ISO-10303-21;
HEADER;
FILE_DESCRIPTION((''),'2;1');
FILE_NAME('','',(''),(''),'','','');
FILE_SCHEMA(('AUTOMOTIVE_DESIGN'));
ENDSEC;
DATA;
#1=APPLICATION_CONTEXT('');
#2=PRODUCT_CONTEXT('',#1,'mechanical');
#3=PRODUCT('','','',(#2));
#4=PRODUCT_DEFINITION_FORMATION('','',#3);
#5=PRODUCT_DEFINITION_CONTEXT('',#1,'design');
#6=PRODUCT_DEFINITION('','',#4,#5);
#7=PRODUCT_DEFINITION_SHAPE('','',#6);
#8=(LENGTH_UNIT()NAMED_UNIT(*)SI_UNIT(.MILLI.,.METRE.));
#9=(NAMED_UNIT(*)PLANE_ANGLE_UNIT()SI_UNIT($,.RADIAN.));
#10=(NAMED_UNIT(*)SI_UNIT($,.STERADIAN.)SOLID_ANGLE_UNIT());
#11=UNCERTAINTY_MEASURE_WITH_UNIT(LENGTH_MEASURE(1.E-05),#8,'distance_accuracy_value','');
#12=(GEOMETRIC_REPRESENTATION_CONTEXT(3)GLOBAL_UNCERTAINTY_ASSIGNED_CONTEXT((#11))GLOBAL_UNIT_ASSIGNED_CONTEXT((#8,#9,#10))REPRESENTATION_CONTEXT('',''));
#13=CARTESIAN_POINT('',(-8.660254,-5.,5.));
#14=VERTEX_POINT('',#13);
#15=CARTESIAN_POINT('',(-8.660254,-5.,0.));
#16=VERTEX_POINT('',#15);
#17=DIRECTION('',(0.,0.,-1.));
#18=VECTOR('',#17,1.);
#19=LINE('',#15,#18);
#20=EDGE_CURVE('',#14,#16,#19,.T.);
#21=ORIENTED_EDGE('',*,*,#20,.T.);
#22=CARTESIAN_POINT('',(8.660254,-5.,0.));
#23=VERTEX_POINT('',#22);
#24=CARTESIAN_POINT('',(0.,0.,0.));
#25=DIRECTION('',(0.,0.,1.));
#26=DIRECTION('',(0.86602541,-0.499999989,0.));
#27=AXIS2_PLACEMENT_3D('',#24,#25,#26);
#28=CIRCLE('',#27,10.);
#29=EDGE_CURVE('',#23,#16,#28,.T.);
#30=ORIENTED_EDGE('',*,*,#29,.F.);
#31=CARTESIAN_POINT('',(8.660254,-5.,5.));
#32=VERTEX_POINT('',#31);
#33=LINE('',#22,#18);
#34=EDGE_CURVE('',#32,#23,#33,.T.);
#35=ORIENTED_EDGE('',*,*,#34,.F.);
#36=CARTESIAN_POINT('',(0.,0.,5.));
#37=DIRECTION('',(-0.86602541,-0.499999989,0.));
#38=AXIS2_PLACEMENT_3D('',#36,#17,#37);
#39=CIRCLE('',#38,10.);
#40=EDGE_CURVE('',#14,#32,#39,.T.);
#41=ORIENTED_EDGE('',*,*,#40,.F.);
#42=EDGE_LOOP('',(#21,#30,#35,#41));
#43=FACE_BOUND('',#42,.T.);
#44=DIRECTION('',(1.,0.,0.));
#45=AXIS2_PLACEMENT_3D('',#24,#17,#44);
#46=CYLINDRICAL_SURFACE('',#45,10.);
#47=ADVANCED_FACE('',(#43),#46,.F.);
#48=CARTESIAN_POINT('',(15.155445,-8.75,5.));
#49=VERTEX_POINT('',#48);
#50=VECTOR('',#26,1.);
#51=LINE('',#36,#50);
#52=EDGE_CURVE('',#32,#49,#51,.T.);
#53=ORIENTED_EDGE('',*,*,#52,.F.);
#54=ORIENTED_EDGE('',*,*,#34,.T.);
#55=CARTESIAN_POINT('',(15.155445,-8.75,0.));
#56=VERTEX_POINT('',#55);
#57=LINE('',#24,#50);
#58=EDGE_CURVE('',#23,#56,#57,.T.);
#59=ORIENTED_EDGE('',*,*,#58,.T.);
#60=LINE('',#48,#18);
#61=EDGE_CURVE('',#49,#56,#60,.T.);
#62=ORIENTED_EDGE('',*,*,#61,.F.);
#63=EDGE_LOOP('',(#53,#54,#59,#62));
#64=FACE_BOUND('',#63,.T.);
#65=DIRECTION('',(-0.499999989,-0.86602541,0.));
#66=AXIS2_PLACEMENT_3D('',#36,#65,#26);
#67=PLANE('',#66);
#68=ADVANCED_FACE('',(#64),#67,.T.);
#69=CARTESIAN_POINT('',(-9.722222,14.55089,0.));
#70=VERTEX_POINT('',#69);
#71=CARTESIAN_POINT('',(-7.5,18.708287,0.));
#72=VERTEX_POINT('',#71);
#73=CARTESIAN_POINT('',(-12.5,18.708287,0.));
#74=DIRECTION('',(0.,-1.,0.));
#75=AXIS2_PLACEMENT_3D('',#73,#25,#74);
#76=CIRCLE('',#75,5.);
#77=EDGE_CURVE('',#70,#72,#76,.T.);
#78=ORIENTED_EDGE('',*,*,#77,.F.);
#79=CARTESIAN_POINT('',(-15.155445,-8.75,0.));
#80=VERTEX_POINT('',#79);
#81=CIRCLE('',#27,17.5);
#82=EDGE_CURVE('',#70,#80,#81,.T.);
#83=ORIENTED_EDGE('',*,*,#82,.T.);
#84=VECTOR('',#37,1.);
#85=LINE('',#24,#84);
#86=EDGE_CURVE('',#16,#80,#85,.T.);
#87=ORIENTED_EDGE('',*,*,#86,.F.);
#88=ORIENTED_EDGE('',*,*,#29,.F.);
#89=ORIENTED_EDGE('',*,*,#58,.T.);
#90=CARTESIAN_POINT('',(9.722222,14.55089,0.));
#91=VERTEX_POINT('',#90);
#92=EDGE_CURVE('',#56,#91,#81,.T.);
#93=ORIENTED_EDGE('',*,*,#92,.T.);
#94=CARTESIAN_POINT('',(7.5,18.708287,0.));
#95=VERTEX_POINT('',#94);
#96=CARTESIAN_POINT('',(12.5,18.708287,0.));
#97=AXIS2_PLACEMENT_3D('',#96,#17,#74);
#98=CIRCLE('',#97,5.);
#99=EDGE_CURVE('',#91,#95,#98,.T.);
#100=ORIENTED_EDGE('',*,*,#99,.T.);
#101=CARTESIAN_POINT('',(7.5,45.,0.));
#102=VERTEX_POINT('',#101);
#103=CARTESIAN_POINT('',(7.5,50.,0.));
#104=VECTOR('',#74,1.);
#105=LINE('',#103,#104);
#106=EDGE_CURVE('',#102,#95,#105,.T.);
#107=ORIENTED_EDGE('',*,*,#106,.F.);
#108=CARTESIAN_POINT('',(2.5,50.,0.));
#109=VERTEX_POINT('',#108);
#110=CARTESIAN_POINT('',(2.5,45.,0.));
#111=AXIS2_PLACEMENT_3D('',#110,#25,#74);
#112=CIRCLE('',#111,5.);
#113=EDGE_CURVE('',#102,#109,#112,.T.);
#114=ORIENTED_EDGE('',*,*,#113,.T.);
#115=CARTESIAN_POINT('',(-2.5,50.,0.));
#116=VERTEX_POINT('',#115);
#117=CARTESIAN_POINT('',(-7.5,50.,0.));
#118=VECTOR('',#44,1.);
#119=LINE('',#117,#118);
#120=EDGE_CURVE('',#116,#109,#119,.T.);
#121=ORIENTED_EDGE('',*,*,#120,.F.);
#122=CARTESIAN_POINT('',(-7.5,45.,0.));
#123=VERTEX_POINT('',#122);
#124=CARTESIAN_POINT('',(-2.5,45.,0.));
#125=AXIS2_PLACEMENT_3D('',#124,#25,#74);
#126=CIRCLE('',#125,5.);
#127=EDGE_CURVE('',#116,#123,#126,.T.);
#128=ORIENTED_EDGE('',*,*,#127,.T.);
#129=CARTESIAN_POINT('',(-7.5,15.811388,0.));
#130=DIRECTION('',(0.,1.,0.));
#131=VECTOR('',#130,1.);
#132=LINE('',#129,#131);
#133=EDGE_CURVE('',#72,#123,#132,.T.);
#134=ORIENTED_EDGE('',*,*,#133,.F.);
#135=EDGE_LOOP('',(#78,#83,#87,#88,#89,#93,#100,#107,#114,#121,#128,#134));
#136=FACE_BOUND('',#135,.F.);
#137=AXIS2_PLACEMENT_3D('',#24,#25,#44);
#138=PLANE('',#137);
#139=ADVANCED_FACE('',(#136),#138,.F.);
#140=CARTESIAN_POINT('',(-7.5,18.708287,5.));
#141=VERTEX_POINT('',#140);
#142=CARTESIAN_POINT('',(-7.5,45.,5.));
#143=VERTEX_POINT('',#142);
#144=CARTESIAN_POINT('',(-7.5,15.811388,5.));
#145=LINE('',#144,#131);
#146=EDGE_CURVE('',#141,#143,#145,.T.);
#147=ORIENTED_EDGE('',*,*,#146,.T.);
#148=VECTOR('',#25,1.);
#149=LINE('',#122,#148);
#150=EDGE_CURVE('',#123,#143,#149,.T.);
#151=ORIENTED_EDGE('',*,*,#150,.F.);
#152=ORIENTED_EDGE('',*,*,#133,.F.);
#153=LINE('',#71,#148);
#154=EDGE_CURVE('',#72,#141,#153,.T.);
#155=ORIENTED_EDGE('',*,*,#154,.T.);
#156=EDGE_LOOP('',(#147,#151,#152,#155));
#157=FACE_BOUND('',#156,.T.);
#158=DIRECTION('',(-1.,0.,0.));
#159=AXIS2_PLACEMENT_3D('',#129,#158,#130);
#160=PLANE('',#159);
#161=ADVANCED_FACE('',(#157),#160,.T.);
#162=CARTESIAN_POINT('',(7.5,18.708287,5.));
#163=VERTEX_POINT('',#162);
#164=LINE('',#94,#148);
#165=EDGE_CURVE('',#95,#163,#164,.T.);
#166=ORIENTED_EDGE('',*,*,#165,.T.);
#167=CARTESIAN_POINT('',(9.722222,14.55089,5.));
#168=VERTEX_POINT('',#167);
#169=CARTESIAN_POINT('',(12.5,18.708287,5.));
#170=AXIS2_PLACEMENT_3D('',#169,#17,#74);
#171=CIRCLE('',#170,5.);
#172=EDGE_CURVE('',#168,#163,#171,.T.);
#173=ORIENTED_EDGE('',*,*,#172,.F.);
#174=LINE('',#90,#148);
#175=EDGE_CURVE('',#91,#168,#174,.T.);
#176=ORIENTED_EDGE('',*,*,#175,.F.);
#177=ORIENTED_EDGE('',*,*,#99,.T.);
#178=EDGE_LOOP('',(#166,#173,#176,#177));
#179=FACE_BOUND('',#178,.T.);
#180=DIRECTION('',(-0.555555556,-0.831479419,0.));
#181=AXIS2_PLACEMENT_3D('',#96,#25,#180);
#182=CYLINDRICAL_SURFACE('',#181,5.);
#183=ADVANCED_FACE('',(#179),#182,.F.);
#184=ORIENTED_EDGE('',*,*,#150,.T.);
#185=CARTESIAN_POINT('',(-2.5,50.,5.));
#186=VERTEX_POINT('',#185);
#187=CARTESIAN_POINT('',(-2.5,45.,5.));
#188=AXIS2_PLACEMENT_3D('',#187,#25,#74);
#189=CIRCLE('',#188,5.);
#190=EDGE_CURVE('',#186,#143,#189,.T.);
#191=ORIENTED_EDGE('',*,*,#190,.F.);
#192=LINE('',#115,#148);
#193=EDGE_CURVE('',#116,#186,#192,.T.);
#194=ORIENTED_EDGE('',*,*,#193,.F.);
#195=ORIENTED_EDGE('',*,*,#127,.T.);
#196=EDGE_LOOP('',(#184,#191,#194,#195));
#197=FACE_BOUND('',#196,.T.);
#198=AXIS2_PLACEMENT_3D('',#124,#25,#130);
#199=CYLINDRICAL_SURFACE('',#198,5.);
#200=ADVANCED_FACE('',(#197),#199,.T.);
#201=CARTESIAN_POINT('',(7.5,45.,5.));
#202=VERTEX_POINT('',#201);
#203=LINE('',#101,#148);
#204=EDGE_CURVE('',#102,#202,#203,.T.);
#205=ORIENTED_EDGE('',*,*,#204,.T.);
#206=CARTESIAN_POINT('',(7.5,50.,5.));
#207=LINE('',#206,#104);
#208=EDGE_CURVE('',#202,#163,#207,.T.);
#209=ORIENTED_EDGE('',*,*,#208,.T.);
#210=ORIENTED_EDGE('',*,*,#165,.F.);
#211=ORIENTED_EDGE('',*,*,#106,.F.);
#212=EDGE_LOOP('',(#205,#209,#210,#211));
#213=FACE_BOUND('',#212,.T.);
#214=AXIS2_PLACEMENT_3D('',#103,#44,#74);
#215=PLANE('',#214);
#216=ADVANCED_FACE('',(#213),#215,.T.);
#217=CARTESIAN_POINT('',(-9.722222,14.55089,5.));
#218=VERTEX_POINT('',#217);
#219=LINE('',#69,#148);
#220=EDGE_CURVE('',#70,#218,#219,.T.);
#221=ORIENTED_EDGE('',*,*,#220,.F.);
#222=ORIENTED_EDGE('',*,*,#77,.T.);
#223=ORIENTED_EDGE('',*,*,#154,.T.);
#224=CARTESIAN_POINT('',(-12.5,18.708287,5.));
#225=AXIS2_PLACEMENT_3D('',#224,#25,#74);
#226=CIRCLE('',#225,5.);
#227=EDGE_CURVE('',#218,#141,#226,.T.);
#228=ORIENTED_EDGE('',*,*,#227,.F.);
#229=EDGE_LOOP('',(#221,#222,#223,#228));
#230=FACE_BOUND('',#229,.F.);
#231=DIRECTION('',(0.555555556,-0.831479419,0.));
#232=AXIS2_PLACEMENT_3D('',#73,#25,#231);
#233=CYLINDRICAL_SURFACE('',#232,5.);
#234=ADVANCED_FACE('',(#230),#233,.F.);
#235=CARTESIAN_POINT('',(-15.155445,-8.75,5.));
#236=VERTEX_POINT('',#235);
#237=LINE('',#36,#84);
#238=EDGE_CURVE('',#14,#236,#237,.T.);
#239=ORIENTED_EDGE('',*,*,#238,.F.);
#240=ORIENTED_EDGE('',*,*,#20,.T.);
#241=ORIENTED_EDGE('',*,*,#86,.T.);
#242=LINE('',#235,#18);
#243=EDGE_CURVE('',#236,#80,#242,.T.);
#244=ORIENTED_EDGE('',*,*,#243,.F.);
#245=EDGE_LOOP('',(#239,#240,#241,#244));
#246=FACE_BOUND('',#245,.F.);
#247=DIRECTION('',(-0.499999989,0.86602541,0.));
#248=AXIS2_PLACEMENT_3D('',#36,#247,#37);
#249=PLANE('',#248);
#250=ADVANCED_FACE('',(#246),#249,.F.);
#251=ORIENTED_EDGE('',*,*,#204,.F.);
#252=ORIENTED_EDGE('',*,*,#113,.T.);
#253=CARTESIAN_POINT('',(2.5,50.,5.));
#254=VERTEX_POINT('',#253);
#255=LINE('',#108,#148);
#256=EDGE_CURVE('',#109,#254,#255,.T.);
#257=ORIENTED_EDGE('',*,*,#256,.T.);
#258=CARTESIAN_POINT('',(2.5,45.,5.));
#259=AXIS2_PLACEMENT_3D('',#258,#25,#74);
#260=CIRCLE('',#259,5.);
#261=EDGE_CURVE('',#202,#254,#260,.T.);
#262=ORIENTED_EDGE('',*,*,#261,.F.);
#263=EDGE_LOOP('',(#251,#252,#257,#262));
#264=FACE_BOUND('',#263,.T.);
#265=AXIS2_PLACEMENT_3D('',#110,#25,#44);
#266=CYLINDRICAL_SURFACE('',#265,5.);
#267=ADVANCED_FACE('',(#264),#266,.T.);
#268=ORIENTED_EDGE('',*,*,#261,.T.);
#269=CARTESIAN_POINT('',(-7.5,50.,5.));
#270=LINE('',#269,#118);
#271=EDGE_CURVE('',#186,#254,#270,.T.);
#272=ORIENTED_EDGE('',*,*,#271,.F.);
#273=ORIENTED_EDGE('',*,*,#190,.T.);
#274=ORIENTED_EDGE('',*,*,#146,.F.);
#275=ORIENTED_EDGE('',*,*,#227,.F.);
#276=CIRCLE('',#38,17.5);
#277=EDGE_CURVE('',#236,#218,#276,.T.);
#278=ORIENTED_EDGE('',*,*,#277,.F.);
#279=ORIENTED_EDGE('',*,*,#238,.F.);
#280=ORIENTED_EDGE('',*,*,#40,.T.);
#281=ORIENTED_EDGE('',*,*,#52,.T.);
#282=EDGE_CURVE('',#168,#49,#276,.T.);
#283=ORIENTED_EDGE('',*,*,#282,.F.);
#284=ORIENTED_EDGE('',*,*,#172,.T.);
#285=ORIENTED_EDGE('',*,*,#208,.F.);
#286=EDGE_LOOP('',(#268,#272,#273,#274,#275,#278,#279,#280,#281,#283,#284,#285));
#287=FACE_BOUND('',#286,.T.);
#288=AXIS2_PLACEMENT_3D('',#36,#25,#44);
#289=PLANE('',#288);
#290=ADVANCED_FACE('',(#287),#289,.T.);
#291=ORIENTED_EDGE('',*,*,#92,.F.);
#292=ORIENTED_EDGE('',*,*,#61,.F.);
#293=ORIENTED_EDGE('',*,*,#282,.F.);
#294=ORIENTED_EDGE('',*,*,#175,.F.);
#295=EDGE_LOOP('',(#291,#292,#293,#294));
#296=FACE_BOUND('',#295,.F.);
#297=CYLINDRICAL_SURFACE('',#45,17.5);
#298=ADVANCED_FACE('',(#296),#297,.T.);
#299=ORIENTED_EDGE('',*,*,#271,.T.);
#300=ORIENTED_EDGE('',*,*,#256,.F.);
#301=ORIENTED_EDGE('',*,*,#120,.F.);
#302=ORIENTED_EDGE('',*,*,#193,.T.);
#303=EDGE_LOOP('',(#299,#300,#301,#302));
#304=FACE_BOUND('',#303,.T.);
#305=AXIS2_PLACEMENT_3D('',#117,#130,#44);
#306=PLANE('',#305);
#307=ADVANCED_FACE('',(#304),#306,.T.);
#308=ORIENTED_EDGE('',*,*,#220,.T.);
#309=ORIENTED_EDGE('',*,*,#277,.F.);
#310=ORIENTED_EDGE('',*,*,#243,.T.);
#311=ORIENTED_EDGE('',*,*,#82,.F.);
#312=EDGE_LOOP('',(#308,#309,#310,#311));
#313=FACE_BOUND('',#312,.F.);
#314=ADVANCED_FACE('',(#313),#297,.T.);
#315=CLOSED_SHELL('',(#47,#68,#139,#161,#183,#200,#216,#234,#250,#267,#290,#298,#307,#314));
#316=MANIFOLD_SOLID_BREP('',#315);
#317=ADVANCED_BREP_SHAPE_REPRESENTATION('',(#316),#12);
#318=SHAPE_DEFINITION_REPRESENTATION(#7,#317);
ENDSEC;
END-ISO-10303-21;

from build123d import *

# Parameters (mm, degrees)
SKETCH_R     = 17.5
SKETCH_R_2   = 10
PAD_DEPTH    = 5
POCKET_DEPTH = 5.001
PAD002_DEPTH = 5
FILLET_R     = 5


with BuildPart() as part:
    # Sketch → Pad (new body)
    with BuildSketch(Plane.XY):
        Circle(SKETCH_R)
        Circle(SKETCH_R_2, mode=Mode.SUBTRACT)
    extrude(amount=PAD_DEPTH)

    # Sketch001 (on Face4 of Pad) → Pocket (cut, through all)
    with BuildSketch(Plane.XY.offset(5)):
        with BuildLine():
            Line((0, 0), (-15.155445, -8.75))
            ThreePointArc((-15.155445, -8.75), (0, -17.5), (15.155445, -8.75))
            Line((0, 0), (15.155445, -8.75))
        make_face()
    extrude(amount=-POCKET_DEPTH, mode=Mode.SUBTRACT)

    # Sketch004 (on Face2 of Pocket) → Pad002 (join)
    with BuildSketch(Plane(origin=(0, 0, 0), x_dir=(1, 0, 0), z_dir=(0, 0, -1))):
        with BuildLine():
            Line((-7.5, -15.811388), (-7.5, -50))
            Line((-7.5, -50), (7.5, -50))
            Line((7.5, -50), (7.5, -15.811388))
            ThreePointArc((-7.5, -15.811388), (0, -17.5), (7.5, -15.811388))
        make_face()
    extrude(amount=-PAD002_DEPTH)

    # Fillet
    fillet_edges = [part.edges().sort_by_distance(p)[0] for p in [
        (-7.5, 15.811388, 2.5),
        (7.5, 15.811388, 2.5),
        (-7.5, 50, 2.5),
        (7.5, 50, 2.5),
    ]]
    fillet(fillet_edges, radius=FILLET_R)


solid = part.part
